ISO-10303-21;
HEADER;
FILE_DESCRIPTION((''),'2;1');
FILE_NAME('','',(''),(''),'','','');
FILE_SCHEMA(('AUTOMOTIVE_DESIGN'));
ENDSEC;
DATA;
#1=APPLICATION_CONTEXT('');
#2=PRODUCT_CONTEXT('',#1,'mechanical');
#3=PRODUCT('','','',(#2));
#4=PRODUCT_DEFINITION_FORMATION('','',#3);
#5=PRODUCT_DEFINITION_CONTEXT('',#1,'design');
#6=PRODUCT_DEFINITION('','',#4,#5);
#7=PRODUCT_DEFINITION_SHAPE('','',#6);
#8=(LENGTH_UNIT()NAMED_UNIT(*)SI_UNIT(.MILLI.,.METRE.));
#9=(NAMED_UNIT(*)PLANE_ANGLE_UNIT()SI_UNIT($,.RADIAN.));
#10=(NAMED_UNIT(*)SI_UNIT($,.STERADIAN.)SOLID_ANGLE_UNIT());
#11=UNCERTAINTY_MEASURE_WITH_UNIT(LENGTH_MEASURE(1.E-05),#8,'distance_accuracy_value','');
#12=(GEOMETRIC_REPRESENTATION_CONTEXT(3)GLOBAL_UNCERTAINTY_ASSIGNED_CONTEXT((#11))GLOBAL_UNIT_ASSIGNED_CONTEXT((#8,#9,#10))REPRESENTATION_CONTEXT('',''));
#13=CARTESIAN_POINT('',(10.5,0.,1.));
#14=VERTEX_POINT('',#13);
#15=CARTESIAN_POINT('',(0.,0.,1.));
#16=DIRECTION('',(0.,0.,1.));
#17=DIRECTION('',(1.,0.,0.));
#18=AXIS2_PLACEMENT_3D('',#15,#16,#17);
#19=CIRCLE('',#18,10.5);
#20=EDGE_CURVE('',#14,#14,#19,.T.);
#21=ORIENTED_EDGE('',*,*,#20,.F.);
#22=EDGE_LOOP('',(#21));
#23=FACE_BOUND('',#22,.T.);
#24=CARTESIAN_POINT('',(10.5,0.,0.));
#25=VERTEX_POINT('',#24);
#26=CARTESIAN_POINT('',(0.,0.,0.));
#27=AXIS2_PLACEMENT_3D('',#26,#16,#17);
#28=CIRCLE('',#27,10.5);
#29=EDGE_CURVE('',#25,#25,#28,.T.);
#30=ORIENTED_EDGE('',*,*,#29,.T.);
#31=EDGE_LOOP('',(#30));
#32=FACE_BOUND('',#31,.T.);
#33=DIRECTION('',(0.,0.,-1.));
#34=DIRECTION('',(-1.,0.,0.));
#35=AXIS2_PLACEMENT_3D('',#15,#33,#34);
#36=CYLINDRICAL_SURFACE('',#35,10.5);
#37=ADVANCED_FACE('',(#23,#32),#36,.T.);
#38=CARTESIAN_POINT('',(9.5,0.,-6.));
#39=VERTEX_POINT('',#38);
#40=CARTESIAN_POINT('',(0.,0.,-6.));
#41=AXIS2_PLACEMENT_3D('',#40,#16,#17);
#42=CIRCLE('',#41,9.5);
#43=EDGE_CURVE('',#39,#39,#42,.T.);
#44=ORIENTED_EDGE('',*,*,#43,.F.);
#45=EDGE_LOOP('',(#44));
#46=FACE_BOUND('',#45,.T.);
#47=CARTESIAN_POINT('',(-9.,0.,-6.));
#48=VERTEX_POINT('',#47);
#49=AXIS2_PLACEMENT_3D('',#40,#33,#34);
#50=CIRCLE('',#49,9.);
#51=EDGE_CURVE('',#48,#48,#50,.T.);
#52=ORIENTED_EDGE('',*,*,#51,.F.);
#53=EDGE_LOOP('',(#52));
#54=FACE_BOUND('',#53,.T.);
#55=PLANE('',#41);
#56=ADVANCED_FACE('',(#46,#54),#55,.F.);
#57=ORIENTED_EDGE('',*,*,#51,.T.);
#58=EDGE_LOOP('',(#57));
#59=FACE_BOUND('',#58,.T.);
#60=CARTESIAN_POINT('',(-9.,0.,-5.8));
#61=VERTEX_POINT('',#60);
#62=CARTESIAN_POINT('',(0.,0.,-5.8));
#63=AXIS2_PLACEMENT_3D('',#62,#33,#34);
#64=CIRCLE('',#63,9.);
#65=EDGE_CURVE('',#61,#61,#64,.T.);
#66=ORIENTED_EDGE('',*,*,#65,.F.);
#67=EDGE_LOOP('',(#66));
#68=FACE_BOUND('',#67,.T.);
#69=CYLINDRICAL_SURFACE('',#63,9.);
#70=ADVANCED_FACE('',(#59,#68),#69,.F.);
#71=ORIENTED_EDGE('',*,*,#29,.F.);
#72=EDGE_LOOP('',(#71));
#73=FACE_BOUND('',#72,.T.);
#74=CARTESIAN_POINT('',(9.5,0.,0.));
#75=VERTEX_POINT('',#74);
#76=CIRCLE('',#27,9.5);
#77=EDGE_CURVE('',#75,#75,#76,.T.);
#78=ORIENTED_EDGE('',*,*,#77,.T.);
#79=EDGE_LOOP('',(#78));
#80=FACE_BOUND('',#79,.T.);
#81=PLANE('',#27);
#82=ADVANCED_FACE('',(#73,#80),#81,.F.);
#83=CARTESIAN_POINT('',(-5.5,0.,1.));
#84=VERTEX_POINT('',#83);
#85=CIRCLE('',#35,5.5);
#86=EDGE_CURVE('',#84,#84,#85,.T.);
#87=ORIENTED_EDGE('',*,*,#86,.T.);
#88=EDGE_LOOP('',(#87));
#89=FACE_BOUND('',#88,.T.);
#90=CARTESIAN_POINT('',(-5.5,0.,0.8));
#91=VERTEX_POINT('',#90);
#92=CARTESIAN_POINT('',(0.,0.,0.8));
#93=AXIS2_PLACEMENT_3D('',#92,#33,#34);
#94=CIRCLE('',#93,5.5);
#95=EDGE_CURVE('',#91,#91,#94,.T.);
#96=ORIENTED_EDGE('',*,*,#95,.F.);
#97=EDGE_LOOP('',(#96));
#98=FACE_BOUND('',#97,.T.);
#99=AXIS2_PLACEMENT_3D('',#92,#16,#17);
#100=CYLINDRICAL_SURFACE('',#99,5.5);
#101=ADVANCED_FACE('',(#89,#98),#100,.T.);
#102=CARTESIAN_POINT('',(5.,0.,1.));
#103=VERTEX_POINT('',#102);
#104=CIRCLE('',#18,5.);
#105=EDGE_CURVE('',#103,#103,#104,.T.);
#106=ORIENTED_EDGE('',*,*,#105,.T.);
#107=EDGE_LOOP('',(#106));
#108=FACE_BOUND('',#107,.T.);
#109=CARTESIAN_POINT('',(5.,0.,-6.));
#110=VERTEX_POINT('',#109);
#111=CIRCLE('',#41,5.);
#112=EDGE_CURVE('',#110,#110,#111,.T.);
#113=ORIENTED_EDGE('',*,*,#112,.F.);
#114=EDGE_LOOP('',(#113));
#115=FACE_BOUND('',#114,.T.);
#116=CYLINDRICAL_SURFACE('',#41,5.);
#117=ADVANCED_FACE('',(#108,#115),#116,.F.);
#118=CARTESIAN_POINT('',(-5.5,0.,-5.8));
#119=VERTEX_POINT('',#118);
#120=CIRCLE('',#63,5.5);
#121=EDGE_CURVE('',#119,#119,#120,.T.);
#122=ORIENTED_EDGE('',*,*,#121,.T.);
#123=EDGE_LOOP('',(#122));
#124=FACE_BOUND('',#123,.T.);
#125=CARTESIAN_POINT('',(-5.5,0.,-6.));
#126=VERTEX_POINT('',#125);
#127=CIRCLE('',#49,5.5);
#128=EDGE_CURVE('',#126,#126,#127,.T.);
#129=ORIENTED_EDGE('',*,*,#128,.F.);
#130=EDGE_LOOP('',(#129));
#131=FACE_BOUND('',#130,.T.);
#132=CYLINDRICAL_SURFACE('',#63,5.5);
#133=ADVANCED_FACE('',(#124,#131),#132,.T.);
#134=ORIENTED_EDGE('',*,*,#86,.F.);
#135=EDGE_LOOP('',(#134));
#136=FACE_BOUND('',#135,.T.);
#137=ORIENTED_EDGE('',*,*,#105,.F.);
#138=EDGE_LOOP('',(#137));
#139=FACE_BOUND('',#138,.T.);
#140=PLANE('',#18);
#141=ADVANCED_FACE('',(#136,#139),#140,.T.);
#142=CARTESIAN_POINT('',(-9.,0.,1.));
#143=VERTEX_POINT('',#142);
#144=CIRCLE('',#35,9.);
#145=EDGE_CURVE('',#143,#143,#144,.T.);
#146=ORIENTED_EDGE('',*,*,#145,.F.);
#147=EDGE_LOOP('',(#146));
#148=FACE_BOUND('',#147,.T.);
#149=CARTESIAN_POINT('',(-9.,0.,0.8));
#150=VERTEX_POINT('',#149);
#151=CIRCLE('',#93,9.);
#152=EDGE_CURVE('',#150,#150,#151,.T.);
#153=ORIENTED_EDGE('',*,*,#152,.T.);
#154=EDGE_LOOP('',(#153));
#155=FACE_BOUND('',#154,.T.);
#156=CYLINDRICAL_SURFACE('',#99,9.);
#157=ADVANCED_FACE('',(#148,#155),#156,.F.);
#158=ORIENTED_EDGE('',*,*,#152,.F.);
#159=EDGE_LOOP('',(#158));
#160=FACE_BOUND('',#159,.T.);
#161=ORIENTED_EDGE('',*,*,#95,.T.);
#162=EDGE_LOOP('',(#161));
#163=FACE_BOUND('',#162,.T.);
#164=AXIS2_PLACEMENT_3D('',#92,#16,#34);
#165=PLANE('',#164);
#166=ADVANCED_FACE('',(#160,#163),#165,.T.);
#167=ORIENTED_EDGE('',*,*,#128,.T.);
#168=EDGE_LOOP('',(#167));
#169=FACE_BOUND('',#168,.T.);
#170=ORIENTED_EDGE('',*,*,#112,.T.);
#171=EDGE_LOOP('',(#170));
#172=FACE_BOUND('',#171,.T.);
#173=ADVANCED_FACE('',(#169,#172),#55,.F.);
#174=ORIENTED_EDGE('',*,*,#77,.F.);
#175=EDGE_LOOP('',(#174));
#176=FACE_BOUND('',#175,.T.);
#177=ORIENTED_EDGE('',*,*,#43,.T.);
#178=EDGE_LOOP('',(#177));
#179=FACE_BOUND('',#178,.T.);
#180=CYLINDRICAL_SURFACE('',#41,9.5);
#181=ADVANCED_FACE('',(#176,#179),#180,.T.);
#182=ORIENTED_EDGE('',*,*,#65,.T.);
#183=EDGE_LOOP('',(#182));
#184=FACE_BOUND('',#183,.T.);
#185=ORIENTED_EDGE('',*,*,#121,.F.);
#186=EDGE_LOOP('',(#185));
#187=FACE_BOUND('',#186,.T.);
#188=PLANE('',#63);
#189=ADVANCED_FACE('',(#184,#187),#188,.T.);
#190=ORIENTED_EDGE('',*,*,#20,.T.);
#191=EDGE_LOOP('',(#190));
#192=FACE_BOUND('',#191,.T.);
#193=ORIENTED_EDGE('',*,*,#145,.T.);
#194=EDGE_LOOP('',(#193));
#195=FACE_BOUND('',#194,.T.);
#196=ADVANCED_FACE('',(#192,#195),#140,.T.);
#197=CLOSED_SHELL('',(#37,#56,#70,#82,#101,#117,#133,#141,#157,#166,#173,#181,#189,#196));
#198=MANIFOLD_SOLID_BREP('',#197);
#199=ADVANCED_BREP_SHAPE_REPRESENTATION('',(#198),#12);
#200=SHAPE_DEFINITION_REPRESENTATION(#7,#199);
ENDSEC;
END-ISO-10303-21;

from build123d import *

# Parameters (mm, degrees)
SKETCH_1_R          = 10.5
SKETCH_1_R_2        = 9.5
EXTRUDE_1_DEPTH     = 1
EXTRUDE_START       = -7
SKETCH_2_R          = 9.5
SKETCH_2_R_2        = 5
EXTRUDE_2_DEPTH     = 7
SKETCH_3_R          = 9
SKETCH_3_R_2        = 5.5
CUT_EXTRUDE_1_DEPTH = 0.2


with BuildPart() as part:
    # 草图1 → 凸台-拉伸1 (new body)
    with BuildSketch(Plane.XY):
        Circle(SKETCH_1_R)
        Circle(SKETCH_1_R_2, mode=Mode.SUBTRACT)
    extrude(amount=EXTRUDE_1_DEPTH)

    # 草图2 → 凸台-拉伸2 (add)
    with BuildSketch(Plane.XY.offset(1).offset(EXTRUDE_START)):
        Circle(SKETCH_2_R)
        Circle(SKETCH_2_R_2, mode=Mode.SUBTRACT)
    extrude(amount=EXTRUDE_2_DEPTH)

    # 草图3 → 切除-拉伸1 (cut)
    with BuildSketch(Plane(origin=(0, 0, -6), x_dir=(-1, 0, 0), z_dir=(0, 0, -1))):
        Circle(SKETCH_3_R)
        Circle(SKETCH_3_R_2, mode=Mode.SUBTRACT)
    cut_extrude_1 = extrude(amount=-CUT_EXTRUDE_1_DEPTH, mode=Mode.SUBTRACT)

    # 镜向1: 切除-拉伸1 across plane
    add(cut_extrude_1.mirror(Plane(origin=(0, 0, -2.5), x_dir=(1, 0, 0), z_dir=(0, 0, -1))), mode=Mode.SUBTRACT)


solid = part.part
